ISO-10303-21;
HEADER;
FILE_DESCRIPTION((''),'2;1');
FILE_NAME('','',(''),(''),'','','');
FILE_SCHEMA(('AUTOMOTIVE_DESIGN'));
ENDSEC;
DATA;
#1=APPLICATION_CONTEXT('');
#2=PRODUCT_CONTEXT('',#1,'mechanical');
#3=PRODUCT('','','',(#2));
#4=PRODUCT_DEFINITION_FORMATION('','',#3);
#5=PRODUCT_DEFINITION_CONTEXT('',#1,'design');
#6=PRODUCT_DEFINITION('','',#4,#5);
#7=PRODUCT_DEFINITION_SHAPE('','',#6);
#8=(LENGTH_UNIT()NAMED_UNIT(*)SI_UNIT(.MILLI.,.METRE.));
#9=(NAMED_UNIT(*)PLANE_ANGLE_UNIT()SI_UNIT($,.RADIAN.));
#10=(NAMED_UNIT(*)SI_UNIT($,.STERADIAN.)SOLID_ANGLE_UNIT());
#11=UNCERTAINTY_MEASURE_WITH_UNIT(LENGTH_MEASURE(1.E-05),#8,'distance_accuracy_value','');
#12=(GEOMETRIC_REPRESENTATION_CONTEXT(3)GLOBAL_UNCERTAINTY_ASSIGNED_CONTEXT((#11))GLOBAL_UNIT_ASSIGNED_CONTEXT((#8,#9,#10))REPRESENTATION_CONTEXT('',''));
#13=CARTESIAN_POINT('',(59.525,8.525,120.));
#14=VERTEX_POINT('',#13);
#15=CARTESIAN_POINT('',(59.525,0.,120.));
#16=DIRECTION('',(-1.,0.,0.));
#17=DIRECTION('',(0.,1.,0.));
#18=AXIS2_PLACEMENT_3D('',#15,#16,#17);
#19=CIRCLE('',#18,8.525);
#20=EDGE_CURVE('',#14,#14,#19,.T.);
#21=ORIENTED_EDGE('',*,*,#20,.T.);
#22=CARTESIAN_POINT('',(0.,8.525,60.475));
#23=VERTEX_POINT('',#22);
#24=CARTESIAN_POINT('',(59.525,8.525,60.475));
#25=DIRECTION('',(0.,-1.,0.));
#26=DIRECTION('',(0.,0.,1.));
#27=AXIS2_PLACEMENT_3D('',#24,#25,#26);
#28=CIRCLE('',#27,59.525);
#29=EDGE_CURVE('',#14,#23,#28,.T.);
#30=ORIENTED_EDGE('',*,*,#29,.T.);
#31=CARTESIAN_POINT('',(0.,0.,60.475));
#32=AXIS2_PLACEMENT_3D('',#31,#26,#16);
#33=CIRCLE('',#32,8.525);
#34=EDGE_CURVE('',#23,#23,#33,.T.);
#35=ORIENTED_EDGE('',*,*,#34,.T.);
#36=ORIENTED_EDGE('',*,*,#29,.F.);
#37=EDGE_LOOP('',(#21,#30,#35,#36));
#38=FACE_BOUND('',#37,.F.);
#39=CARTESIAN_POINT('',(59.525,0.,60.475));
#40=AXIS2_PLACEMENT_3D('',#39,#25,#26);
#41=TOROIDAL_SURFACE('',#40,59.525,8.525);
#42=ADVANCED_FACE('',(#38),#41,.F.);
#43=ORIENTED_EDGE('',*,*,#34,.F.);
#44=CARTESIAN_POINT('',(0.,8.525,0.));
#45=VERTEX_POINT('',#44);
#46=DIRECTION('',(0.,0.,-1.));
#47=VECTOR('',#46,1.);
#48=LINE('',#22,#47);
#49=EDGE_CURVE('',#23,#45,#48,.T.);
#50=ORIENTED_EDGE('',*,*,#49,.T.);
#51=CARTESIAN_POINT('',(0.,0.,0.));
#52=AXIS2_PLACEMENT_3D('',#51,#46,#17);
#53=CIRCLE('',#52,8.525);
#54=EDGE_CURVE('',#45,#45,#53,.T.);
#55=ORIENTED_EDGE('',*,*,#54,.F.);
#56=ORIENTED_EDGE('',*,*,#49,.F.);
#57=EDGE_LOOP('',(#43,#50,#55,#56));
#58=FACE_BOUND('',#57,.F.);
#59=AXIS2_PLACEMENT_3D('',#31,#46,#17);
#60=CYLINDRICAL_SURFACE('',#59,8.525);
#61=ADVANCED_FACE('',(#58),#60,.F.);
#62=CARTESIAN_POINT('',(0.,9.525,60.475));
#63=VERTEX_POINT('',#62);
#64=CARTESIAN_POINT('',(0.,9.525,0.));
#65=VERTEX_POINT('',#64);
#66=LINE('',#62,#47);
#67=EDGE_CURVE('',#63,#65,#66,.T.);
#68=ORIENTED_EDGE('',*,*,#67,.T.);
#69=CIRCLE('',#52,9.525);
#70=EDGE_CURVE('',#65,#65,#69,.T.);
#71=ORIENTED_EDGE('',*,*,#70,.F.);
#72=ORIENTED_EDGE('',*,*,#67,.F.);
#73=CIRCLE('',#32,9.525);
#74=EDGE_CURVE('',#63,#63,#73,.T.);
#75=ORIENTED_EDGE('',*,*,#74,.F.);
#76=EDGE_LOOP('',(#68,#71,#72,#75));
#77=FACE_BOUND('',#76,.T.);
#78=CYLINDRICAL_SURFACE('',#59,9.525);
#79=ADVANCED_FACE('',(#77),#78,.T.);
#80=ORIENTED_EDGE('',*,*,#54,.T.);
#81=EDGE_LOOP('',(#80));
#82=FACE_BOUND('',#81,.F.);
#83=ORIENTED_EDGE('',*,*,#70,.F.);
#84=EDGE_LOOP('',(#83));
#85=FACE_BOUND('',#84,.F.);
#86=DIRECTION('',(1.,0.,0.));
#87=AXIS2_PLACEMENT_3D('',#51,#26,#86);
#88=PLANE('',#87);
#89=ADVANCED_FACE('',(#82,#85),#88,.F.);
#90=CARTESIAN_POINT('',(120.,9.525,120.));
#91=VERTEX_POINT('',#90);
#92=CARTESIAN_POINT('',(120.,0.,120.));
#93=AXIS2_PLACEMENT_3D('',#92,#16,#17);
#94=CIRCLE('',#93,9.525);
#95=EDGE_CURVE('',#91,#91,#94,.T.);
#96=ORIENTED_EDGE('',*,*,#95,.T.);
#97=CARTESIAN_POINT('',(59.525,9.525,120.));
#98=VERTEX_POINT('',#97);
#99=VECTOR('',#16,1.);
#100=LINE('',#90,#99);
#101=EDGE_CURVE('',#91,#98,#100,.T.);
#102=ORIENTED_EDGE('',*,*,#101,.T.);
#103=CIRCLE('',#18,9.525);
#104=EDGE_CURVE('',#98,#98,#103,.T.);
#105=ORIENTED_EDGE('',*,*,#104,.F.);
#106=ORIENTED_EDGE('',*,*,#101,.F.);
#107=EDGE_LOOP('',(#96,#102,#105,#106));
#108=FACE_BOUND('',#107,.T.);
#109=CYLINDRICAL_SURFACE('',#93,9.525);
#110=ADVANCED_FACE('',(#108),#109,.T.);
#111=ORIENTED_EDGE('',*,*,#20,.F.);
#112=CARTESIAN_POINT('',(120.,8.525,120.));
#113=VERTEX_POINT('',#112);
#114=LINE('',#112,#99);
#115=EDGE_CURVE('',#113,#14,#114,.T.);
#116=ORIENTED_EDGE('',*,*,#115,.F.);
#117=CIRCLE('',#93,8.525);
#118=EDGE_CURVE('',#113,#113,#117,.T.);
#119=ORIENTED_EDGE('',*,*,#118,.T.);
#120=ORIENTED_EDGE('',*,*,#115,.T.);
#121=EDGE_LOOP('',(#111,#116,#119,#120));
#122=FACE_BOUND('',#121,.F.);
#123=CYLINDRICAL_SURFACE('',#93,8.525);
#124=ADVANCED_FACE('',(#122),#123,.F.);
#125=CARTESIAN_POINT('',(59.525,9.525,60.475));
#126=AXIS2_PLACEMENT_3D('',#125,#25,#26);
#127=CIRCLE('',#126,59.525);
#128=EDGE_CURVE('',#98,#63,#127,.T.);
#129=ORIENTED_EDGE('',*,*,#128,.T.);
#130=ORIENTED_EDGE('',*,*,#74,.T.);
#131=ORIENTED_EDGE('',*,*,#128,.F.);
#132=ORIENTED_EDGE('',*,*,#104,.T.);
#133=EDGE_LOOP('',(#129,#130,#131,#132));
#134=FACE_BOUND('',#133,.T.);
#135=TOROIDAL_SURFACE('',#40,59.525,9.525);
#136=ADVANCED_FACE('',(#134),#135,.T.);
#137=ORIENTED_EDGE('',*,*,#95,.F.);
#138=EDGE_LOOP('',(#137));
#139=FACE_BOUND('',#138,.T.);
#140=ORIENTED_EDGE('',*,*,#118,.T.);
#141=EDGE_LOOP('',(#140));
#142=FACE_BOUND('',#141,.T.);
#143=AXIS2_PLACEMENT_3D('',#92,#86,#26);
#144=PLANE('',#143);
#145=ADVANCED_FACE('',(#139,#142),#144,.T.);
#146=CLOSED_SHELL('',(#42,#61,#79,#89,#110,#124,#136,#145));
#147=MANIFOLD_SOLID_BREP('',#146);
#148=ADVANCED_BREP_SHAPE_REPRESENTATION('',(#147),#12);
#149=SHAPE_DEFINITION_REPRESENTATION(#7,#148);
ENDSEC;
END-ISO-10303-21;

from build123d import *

# Parameters (mm, degrees)
F2_R   = 9.525
F2_R_2 = 8.525


with BuildPart() as f3:
    # F3: sweep along a path in F0
    with BuildLine(Plane.XZ) as f3_path:
        Line((120, 120), (59.525, 120))
        ThreePointArc((59.525, 120), (17.4344688499, 102.5655311501), (0, 60.475))
        Line((0, 60.475), (0, 0))
    # F2 (on plane+point) → F3 (sweep)
    with BuildSketch(Plane.YZ.offset(120)):
        with Locations((0, 120)):
            Circle(F2_R)
        with Locations((0, 120)):
            Circle(F2_R_2, mode=Mode.SUBTRACT)
    sweep(path=f3_path.line)


solid = f3.part
